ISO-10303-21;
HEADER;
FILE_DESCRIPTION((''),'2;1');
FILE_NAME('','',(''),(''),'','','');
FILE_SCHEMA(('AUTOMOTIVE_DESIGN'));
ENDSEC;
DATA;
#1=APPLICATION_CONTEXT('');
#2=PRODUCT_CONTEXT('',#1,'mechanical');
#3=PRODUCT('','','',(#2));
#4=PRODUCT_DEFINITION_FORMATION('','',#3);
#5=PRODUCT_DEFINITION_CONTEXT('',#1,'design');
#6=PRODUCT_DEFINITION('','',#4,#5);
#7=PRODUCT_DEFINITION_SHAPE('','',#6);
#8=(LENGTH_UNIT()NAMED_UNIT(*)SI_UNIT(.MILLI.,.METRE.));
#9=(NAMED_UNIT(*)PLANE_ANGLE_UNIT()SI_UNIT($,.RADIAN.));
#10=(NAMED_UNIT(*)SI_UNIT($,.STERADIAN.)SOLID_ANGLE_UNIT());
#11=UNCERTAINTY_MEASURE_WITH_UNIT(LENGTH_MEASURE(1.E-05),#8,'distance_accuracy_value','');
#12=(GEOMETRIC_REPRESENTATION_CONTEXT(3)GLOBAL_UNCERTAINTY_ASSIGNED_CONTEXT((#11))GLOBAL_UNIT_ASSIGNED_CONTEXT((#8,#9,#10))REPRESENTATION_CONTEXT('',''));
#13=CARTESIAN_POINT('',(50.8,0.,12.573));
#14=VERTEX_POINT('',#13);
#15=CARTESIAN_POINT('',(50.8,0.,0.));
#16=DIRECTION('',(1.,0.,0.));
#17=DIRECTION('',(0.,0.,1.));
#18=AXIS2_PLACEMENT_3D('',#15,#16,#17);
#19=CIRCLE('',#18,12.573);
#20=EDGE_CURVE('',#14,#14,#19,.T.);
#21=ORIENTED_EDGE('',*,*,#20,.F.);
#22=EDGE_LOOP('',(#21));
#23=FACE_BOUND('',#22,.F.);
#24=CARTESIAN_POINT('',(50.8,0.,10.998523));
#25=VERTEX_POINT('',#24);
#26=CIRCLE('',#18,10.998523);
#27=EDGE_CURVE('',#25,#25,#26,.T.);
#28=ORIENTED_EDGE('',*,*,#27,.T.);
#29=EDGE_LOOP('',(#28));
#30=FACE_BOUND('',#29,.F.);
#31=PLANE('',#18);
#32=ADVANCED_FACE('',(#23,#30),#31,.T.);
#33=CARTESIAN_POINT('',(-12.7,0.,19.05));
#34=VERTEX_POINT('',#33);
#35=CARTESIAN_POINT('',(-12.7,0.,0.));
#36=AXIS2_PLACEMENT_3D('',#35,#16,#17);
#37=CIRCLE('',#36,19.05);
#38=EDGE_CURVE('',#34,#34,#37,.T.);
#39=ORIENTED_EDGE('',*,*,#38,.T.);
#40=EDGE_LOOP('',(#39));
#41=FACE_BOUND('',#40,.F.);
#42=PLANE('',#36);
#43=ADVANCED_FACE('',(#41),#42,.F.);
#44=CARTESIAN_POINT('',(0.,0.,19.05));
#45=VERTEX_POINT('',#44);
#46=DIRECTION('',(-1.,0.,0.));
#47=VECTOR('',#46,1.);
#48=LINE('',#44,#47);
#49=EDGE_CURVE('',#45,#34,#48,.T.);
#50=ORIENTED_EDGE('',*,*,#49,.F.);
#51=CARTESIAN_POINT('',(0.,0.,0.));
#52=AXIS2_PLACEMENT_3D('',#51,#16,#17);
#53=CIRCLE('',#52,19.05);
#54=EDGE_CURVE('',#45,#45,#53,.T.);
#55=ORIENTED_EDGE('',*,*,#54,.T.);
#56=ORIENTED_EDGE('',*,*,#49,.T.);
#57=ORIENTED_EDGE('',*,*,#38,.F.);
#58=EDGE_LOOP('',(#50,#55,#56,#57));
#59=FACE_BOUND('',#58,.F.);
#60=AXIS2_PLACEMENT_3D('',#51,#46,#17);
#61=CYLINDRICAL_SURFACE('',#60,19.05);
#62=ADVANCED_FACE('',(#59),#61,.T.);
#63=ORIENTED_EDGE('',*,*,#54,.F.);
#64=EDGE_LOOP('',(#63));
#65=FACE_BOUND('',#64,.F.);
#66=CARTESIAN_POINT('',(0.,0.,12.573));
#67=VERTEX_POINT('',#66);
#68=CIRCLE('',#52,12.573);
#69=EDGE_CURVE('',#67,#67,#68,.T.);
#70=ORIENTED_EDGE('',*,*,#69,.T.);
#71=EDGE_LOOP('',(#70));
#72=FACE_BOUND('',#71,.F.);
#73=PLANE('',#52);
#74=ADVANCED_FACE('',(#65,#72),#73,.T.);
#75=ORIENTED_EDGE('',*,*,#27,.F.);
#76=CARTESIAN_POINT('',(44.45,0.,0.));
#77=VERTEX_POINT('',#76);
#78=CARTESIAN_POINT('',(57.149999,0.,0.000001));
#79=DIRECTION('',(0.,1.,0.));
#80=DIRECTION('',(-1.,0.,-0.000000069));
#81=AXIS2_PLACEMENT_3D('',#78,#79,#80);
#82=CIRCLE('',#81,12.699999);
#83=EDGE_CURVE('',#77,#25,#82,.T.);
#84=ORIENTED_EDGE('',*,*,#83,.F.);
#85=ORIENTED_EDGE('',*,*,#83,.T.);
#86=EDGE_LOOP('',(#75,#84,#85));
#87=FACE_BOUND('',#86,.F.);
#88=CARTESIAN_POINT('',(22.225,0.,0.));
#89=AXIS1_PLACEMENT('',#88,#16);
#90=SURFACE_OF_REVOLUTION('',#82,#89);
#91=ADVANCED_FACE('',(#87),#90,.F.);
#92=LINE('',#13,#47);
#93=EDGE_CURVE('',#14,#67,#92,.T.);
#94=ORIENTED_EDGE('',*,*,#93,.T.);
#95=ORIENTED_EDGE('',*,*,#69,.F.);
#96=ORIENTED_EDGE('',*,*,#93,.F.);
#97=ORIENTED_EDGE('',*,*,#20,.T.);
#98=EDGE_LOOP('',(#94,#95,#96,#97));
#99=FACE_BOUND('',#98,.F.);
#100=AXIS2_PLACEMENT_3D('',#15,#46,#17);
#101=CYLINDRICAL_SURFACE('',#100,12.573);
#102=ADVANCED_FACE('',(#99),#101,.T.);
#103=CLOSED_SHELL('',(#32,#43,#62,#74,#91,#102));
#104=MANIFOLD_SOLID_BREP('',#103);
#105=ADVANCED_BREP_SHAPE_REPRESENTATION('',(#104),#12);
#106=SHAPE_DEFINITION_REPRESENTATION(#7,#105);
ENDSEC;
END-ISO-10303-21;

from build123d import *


with BuildPart() as f1:
    # F0 (on Front) → F1 (revolve)
    with BuildSketch(Plane.XZ):
        with BuildLine():
            Line((-12.7, 0), (0, 0))
            Line((0, 0), (44.45, 0))
            ThreePointArc((44.45, 0), (46.151477, 6.35), (50.8, 10.998523))
            Line((50.8, 10.998523), (50.8, 12.573))
            Line((50.8, 12.573), (0, 12.573))
            Line((0, 12.573), (0, 19.05))
            Line((0, 19.05), (-12.7, 19.05))
            Line((-12.7, 19.05), (-12.7, 0))
        make_face()
    revolve(axis=Axis((22.225, 0, 0), (1, 0, 0)))


solid = f1.part
